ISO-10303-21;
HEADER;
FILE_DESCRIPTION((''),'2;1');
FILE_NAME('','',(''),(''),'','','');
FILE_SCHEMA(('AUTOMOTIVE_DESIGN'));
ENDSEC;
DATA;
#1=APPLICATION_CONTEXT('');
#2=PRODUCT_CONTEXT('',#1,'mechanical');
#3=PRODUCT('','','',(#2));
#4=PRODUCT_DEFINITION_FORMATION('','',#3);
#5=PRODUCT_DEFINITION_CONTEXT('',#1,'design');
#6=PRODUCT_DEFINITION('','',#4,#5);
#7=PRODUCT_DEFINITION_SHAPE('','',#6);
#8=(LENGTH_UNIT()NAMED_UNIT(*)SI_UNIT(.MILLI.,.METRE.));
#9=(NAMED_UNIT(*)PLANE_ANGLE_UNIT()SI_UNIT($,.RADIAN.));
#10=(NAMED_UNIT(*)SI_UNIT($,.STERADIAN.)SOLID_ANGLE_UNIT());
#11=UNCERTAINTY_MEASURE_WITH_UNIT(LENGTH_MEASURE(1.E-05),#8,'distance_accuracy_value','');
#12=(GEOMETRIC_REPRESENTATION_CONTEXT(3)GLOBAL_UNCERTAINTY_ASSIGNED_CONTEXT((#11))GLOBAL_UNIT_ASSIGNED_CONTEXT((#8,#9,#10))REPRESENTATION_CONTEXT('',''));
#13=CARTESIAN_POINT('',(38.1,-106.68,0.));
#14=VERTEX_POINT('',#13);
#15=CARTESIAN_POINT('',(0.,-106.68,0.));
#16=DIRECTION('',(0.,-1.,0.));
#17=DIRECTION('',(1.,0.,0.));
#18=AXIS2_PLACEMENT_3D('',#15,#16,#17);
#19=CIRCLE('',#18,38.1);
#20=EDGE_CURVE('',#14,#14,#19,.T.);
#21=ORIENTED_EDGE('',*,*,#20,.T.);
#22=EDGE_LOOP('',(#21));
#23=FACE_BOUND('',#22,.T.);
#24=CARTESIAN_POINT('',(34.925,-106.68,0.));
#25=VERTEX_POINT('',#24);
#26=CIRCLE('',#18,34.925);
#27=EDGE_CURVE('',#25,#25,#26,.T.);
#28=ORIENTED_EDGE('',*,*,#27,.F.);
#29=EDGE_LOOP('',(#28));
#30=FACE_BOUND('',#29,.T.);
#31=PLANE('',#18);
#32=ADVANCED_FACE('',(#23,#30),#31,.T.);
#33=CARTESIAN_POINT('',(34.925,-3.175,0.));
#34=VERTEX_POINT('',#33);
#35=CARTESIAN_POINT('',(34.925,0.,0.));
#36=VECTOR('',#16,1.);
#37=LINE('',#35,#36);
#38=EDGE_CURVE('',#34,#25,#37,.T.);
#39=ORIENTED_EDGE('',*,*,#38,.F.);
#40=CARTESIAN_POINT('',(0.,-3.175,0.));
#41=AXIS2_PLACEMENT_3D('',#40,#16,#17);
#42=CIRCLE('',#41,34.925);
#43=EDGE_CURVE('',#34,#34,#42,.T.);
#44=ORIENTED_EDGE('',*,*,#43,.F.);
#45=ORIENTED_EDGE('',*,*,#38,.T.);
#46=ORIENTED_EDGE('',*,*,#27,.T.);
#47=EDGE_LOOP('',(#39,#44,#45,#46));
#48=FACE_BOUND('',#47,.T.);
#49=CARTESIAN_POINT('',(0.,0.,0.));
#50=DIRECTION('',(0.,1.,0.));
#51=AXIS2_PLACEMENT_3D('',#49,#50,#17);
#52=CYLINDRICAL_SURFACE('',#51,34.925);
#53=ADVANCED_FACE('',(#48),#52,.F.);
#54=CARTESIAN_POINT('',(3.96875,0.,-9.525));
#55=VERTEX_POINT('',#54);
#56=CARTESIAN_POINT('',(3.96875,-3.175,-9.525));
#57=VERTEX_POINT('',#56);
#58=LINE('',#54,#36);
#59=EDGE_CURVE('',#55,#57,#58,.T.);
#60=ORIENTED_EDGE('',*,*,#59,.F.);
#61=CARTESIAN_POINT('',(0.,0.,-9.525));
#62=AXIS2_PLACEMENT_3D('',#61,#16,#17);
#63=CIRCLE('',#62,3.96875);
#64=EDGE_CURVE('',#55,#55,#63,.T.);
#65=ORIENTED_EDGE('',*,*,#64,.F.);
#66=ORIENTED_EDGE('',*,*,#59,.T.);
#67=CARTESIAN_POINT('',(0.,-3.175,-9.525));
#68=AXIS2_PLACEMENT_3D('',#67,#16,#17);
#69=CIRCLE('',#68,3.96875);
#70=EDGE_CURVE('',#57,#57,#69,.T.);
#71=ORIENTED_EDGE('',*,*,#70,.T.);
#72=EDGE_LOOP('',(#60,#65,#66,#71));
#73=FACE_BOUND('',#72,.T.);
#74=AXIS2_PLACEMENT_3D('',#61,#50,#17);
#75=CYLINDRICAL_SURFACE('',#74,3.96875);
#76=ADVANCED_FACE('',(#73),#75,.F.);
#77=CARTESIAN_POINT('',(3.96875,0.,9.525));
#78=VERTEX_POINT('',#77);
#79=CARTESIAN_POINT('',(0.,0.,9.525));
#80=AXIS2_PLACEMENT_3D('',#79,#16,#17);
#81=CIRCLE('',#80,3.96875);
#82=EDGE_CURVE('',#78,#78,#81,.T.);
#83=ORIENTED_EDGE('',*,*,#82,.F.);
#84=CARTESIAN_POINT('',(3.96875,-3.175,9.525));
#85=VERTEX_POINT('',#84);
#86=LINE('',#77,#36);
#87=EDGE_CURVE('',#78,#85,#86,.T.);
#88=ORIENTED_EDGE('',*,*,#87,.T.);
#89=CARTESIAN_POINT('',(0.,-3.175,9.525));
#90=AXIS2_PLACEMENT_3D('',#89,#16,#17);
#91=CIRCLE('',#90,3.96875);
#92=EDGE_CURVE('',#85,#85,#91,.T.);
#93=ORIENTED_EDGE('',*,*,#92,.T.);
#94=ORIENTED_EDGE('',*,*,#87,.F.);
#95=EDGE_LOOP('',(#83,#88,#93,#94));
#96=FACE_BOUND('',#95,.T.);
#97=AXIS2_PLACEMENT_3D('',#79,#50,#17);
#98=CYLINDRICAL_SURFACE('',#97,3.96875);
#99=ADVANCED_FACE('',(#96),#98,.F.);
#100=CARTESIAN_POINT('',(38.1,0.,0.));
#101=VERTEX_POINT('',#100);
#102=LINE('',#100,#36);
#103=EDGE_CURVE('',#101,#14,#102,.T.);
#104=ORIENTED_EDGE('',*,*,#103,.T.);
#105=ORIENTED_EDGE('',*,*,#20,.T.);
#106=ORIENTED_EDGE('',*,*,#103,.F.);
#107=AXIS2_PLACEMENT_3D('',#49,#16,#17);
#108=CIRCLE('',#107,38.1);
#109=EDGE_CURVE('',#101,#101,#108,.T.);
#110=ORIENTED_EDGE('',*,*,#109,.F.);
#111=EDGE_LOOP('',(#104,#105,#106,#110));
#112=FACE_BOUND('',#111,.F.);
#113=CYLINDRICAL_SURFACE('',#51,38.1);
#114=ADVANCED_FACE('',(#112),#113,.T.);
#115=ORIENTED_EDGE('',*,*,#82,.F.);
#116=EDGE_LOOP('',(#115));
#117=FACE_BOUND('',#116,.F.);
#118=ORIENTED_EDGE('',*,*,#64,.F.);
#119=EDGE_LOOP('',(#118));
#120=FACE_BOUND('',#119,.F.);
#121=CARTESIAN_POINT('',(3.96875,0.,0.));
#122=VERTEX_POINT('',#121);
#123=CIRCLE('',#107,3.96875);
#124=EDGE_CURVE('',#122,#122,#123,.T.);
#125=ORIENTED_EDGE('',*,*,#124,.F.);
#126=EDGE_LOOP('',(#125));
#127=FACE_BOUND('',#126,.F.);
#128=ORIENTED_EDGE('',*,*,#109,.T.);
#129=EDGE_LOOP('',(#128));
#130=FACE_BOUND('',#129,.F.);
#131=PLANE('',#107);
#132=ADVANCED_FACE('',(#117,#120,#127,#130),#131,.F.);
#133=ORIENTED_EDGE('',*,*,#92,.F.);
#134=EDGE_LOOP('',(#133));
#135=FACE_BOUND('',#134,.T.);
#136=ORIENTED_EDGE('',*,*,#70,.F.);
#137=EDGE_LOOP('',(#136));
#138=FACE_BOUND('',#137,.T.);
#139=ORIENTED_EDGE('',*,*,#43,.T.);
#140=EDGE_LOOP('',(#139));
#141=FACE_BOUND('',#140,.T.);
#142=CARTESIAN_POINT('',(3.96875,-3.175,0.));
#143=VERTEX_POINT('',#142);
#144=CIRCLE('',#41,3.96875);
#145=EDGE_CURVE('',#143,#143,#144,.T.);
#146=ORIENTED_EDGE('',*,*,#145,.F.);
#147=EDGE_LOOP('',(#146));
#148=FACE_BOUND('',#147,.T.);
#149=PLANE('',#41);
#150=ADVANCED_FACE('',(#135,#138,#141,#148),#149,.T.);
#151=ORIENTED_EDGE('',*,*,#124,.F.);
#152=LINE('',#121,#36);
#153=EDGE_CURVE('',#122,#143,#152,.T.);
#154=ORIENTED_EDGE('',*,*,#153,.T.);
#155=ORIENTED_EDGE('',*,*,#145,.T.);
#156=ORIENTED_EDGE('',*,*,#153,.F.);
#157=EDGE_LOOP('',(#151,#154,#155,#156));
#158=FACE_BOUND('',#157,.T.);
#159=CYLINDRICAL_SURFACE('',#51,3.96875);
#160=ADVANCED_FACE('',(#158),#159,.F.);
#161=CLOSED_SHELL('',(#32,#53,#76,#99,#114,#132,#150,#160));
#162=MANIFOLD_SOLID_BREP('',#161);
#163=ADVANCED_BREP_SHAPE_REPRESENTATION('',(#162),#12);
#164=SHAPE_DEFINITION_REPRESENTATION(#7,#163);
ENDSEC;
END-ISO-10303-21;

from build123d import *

# Parameters (mm, degrees)
F0_R     = 38.1
F0_R_2   = 34.925
F1_DEPTH = 106.68
F0_R_3   = 3.96875
F2_DEPTH = 3.175


with BuildPart() as f1:
    # F0 (on Front) → F1 (new body)
    with BuildSketch(Plane.XZ):
        Circle(F0_R)
        Circle(F0_R_2, mode=Mode.SUBTRACT)
    extrude(amount=F1_DEPTH)

    # F0 (on Front) → F2 (join)
    with BuildSketch(Plane.XZ):
        Circle(F0_R_2)
        with Locations((0, -9.525)):
            Circle(F0_R_3, mode=Mode.SUBTRACT)
        Circle(F0_R_3, mode=Mode.SUBTRACT)
        with Locations((0, 9.525)):
            Circle(F0_R_3, mode=Mode.SUBTRACT)
    extrude(amount=F2_DEPTH)


solid = f1.part
